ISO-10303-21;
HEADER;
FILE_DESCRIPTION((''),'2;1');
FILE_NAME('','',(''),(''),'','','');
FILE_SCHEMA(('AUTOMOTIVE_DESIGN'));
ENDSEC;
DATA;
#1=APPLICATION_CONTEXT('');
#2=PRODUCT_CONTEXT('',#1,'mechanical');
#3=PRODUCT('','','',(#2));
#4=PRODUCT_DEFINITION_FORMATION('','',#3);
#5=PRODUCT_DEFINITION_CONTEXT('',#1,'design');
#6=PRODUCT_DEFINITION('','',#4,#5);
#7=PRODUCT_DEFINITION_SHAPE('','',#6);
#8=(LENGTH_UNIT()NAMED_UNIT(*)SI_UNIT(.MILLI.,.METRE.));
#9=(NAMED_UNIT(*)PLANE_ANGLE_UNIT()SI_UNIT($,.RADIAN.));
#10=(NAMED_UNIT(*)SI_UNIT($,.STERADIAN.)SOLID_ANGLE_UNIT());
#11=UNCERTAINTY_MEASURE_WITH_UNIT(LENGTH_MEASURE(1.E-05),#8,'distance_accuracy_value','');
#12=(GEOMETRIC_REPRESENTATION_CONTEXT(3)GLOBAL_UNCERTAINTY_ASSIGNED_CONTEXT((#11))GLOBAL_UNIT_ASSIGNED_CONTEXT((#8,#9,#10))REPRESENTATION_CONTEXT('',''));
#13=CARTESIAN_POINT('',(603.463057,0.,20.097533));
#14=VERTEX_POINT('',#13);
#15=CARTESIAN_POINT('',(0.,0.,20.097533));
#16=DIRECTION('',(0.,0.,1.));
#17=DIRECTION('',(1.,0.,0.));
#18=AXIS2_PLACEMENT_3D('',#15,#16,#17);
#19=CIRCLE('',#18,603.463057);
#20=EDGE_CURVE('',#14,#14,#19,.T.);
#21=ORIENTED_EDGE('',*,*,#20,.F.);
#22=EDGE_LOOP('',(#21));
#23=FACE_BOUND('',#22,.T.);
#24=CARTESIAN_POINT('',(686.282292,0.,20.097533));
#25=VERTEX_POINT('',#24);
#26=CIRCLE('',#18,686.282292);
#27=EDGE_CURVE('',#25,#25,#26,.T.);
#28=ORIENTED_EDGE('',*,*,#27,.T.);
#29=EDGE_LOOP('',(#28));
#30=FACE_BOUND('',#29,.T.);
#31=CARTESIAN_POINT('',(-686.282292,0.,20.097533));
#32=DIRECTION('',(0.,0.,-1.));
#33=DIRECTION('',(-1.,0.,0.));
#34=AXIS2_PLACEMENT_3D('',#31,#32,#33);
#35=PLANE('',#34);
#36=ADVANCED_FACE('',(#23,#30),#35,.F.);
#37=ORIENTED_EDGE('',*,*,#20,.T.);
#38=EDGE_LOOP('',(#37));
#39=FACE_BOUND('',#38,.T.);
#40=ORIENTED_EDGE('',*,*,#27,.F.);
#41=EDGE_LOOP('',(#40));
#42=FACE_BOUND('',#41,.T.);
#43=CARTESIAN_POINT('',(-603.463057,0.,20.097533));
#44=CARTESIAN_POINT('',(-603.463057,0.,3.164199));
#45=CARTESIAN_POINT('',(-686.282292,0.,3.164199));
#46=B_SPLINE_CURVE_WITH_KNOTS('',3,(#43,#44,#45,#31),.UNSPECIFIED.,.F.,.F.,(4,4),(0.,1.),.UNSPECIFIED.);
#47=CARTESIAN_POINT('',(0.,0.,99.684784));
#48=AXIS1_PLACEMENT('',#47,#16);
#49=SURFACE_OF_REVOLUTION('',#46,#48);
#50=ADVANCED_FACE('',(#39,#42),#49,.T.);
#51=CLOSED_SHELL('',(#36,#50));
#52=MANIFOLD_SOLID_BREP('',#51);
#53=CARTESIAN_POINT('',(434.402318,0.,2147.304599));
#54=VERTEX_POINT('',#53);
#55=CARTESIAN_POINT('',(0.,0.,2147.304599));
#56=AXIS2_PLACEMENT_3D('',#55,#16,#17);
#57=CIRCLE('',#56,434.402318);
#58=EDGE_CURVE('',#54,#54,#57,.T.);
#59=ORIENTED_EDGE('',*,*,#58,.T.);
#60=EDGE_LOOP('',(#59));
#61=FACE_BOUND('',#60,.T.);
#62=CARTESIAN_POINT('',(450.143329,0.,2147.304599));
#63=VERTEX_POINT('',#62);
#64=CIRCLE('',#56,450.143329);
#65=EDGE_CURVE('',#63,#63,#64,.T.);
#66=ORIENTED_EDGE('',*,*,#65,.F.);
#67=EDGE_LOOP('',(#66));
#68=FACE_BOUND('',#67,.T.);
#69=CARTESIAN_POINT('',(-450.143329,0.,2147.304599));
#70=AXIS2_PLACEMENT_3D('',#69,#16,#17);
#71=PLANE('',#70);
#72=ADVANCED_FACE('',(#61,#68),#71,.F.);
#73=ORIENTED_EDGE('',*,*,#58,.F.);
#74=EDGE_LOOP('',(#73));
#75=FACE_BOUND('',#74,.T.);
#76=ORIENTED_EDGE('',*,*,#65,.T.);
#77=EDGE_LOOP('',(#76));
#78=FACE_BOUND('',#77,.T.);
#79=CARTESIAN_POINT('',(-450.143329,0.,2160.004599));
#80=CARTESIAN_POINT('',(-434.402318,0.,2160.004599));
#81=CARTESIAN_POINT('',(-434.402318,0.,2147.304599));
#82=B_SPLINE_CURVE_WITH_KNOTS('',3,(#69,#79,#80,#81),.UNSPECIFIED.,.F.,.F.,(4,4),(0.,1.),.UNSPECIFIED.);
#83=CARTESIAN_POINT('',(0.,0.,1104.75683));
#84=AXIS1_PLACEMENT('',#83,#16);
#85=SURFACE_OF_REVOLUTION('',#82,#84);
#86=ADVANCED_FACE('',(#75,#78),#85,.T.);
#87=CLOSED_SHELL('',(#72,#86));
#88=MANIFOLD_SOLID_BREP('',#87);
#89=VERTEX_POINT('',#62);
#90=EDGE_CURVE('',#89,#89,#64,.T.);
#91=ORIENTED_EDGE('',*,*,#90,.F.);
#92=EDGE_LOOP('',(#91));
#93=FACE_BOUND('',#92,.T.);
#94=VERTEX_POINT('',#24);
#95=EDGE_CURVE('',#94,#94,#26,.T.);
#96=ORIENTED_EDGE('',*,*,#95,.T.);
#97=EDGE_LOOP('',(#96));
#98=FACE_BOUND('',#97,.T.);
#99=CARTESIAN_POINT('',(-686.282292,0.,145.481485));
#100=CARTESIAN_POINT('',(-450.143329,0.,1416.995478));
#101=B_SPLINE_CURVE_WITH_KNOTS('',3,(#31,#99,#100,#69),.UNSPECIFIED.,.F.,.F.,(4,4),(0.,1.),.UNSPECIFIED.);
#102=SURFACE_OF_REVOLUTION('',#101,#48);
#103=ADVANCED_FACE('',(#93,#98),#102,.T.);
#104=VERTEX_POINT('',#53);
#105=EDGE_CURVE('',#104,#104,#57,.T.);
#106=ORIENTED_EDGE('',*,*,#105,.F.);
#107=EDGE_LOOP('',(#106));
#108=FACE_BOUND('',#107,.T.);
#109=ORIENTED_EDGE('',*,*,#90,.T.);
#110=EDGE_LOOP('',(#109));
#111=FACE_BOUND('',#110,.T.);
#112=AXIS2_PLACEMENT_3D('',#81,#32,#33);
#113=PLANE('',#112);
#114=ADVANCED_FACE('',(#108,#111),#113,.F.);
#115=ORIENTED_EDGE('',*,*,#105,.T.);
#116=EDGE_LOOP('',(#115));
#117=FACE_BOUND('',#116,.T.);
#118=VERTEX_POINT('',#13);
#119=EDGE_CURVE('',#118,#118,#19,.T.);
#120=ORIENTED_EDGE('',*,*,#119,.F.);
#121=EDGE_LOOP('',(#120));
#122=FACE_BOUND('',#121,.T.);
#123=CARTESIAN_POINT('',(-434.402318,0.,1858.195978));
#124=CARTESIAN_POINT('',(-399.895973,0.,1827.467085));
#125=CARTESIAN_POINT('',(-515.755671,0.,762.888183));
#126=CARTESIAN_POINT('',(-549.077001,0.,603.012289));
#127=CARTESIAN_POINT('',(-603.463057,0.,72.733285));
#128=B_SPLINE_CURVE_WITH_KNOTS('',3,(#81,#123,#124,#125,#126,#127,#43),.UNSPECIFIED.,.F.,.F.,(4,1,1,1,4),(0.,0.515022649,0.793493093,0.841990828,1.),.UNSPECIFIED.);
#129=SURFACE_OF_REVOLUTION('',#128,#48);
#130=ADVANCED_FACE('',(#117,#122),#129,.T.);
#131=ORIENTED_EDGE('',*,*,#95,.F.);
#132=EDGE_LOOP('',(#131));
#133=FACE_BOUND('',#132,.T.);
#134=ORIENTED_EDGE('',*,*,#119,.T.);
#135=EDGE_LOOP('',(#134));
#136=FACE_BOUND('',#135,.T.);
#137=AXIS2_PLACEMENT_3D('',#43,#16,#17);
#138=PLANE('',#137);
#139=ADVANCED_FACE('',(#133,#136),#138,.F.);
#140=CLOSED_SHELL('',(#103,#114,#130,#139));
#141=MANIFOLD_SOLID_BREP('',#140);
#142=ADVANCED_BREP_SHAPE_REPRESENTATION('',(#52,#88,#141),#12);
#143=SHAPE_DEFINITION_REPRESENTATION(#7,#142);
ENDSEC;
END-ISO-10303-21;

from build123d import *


with BuildPart() as part:
    # Sketch21 → Revolve2 (revolve)
    with BuildSketch(Plane(origin=(0, 0, 0), x_dir=(1, 0, 0), z_dir=(0, 1, 0))):
        with BuildLine():
            Line((-434.402318258, -2147.304598872), (-450.143329298, -2147.304598872))
            add(Edge.make_bspline(
                [(-686.282291631, -20.097532665), (-686.282291631, -145.481485041), (-450.143329298, -1416.995478487), (-450.143329298, -2147.304598872)],
                knots=[0, 0, 0, 0, 1, 1, 1, 1], degree=3))
            Line((-686.282291631, -20.097532665), (-603.463057221, -20.097532665))
            add(Edge.make_bspline(
                [(-603.463057221, -20.097532665), (-603.463057221, -72.733285187), (-549.077001449, -603.012289083), (-515.755671061, -762.888183201), (-399.895973283, -1827.467085184), (-434.402318258, -1858.195978232), (-434.402318258, -2147.304598872)],
                knots=[0, 0, 0, 0, 0.158009172, 0.206506907, 0.484977351, 1, 1, 1, 1], degree=3))
        make_face()
    revolve(axis=Axis((0, 0, 99.684784321), (0, 0, -1)))


with BuildPart() as body_2:
    # Sketch22 → Revolve3 (revolve)
    with BuildSketch(Plane(origin=(0, 0, 0), x_dir=(1, 0, 0), z_dir=(0, 1, 0))):
        with BuildLine():
            Line((-686.282291631, -20.097532665), (-603.463057221, -20.097532665))
            add(Edge.make_bspline(
                [(-686.282291631, -20.097532665), (-686.282291631, -3.164199331), (-603.463057221, -3.164199331), (-603.463057221, -20.097532665)],
                knots=[0, 0, 0, 0, 1, 1, 1, 1], degree=3))
        make_face()
    revolve(axis=Axis((0, 0, 99.684784321), (0, 0, -1)))


with BuildPart() as body_3:
    # Sketch23 → Revolve4 (revolve)
    with BuildSketch(Plane(origin=(0, 0, 0), x_dir=(1, 0, 0), z_dir=(0, 1, 0))):
        with BuildLine():
            Line((-450.143329298, -2147.304598872), (-434.402318258, -2147.304598872))
            add(Edge.make_bspline(
                [(-450.143329298, -2147.304598872), (-450.143329298, -2160.004598872), (-434.402318258, -2160.004598872), (-434.402318258, -2147.304598872)],
                knots=[0, 0, 0, 0, 1, 1, 1, 1], degree=3))
        make_face()
    revolve(axis=Axis((0, 0, 1104.756830123), (0, 0, -1)))


solid = Compound([part.part, body_2.part, body_3.part])
